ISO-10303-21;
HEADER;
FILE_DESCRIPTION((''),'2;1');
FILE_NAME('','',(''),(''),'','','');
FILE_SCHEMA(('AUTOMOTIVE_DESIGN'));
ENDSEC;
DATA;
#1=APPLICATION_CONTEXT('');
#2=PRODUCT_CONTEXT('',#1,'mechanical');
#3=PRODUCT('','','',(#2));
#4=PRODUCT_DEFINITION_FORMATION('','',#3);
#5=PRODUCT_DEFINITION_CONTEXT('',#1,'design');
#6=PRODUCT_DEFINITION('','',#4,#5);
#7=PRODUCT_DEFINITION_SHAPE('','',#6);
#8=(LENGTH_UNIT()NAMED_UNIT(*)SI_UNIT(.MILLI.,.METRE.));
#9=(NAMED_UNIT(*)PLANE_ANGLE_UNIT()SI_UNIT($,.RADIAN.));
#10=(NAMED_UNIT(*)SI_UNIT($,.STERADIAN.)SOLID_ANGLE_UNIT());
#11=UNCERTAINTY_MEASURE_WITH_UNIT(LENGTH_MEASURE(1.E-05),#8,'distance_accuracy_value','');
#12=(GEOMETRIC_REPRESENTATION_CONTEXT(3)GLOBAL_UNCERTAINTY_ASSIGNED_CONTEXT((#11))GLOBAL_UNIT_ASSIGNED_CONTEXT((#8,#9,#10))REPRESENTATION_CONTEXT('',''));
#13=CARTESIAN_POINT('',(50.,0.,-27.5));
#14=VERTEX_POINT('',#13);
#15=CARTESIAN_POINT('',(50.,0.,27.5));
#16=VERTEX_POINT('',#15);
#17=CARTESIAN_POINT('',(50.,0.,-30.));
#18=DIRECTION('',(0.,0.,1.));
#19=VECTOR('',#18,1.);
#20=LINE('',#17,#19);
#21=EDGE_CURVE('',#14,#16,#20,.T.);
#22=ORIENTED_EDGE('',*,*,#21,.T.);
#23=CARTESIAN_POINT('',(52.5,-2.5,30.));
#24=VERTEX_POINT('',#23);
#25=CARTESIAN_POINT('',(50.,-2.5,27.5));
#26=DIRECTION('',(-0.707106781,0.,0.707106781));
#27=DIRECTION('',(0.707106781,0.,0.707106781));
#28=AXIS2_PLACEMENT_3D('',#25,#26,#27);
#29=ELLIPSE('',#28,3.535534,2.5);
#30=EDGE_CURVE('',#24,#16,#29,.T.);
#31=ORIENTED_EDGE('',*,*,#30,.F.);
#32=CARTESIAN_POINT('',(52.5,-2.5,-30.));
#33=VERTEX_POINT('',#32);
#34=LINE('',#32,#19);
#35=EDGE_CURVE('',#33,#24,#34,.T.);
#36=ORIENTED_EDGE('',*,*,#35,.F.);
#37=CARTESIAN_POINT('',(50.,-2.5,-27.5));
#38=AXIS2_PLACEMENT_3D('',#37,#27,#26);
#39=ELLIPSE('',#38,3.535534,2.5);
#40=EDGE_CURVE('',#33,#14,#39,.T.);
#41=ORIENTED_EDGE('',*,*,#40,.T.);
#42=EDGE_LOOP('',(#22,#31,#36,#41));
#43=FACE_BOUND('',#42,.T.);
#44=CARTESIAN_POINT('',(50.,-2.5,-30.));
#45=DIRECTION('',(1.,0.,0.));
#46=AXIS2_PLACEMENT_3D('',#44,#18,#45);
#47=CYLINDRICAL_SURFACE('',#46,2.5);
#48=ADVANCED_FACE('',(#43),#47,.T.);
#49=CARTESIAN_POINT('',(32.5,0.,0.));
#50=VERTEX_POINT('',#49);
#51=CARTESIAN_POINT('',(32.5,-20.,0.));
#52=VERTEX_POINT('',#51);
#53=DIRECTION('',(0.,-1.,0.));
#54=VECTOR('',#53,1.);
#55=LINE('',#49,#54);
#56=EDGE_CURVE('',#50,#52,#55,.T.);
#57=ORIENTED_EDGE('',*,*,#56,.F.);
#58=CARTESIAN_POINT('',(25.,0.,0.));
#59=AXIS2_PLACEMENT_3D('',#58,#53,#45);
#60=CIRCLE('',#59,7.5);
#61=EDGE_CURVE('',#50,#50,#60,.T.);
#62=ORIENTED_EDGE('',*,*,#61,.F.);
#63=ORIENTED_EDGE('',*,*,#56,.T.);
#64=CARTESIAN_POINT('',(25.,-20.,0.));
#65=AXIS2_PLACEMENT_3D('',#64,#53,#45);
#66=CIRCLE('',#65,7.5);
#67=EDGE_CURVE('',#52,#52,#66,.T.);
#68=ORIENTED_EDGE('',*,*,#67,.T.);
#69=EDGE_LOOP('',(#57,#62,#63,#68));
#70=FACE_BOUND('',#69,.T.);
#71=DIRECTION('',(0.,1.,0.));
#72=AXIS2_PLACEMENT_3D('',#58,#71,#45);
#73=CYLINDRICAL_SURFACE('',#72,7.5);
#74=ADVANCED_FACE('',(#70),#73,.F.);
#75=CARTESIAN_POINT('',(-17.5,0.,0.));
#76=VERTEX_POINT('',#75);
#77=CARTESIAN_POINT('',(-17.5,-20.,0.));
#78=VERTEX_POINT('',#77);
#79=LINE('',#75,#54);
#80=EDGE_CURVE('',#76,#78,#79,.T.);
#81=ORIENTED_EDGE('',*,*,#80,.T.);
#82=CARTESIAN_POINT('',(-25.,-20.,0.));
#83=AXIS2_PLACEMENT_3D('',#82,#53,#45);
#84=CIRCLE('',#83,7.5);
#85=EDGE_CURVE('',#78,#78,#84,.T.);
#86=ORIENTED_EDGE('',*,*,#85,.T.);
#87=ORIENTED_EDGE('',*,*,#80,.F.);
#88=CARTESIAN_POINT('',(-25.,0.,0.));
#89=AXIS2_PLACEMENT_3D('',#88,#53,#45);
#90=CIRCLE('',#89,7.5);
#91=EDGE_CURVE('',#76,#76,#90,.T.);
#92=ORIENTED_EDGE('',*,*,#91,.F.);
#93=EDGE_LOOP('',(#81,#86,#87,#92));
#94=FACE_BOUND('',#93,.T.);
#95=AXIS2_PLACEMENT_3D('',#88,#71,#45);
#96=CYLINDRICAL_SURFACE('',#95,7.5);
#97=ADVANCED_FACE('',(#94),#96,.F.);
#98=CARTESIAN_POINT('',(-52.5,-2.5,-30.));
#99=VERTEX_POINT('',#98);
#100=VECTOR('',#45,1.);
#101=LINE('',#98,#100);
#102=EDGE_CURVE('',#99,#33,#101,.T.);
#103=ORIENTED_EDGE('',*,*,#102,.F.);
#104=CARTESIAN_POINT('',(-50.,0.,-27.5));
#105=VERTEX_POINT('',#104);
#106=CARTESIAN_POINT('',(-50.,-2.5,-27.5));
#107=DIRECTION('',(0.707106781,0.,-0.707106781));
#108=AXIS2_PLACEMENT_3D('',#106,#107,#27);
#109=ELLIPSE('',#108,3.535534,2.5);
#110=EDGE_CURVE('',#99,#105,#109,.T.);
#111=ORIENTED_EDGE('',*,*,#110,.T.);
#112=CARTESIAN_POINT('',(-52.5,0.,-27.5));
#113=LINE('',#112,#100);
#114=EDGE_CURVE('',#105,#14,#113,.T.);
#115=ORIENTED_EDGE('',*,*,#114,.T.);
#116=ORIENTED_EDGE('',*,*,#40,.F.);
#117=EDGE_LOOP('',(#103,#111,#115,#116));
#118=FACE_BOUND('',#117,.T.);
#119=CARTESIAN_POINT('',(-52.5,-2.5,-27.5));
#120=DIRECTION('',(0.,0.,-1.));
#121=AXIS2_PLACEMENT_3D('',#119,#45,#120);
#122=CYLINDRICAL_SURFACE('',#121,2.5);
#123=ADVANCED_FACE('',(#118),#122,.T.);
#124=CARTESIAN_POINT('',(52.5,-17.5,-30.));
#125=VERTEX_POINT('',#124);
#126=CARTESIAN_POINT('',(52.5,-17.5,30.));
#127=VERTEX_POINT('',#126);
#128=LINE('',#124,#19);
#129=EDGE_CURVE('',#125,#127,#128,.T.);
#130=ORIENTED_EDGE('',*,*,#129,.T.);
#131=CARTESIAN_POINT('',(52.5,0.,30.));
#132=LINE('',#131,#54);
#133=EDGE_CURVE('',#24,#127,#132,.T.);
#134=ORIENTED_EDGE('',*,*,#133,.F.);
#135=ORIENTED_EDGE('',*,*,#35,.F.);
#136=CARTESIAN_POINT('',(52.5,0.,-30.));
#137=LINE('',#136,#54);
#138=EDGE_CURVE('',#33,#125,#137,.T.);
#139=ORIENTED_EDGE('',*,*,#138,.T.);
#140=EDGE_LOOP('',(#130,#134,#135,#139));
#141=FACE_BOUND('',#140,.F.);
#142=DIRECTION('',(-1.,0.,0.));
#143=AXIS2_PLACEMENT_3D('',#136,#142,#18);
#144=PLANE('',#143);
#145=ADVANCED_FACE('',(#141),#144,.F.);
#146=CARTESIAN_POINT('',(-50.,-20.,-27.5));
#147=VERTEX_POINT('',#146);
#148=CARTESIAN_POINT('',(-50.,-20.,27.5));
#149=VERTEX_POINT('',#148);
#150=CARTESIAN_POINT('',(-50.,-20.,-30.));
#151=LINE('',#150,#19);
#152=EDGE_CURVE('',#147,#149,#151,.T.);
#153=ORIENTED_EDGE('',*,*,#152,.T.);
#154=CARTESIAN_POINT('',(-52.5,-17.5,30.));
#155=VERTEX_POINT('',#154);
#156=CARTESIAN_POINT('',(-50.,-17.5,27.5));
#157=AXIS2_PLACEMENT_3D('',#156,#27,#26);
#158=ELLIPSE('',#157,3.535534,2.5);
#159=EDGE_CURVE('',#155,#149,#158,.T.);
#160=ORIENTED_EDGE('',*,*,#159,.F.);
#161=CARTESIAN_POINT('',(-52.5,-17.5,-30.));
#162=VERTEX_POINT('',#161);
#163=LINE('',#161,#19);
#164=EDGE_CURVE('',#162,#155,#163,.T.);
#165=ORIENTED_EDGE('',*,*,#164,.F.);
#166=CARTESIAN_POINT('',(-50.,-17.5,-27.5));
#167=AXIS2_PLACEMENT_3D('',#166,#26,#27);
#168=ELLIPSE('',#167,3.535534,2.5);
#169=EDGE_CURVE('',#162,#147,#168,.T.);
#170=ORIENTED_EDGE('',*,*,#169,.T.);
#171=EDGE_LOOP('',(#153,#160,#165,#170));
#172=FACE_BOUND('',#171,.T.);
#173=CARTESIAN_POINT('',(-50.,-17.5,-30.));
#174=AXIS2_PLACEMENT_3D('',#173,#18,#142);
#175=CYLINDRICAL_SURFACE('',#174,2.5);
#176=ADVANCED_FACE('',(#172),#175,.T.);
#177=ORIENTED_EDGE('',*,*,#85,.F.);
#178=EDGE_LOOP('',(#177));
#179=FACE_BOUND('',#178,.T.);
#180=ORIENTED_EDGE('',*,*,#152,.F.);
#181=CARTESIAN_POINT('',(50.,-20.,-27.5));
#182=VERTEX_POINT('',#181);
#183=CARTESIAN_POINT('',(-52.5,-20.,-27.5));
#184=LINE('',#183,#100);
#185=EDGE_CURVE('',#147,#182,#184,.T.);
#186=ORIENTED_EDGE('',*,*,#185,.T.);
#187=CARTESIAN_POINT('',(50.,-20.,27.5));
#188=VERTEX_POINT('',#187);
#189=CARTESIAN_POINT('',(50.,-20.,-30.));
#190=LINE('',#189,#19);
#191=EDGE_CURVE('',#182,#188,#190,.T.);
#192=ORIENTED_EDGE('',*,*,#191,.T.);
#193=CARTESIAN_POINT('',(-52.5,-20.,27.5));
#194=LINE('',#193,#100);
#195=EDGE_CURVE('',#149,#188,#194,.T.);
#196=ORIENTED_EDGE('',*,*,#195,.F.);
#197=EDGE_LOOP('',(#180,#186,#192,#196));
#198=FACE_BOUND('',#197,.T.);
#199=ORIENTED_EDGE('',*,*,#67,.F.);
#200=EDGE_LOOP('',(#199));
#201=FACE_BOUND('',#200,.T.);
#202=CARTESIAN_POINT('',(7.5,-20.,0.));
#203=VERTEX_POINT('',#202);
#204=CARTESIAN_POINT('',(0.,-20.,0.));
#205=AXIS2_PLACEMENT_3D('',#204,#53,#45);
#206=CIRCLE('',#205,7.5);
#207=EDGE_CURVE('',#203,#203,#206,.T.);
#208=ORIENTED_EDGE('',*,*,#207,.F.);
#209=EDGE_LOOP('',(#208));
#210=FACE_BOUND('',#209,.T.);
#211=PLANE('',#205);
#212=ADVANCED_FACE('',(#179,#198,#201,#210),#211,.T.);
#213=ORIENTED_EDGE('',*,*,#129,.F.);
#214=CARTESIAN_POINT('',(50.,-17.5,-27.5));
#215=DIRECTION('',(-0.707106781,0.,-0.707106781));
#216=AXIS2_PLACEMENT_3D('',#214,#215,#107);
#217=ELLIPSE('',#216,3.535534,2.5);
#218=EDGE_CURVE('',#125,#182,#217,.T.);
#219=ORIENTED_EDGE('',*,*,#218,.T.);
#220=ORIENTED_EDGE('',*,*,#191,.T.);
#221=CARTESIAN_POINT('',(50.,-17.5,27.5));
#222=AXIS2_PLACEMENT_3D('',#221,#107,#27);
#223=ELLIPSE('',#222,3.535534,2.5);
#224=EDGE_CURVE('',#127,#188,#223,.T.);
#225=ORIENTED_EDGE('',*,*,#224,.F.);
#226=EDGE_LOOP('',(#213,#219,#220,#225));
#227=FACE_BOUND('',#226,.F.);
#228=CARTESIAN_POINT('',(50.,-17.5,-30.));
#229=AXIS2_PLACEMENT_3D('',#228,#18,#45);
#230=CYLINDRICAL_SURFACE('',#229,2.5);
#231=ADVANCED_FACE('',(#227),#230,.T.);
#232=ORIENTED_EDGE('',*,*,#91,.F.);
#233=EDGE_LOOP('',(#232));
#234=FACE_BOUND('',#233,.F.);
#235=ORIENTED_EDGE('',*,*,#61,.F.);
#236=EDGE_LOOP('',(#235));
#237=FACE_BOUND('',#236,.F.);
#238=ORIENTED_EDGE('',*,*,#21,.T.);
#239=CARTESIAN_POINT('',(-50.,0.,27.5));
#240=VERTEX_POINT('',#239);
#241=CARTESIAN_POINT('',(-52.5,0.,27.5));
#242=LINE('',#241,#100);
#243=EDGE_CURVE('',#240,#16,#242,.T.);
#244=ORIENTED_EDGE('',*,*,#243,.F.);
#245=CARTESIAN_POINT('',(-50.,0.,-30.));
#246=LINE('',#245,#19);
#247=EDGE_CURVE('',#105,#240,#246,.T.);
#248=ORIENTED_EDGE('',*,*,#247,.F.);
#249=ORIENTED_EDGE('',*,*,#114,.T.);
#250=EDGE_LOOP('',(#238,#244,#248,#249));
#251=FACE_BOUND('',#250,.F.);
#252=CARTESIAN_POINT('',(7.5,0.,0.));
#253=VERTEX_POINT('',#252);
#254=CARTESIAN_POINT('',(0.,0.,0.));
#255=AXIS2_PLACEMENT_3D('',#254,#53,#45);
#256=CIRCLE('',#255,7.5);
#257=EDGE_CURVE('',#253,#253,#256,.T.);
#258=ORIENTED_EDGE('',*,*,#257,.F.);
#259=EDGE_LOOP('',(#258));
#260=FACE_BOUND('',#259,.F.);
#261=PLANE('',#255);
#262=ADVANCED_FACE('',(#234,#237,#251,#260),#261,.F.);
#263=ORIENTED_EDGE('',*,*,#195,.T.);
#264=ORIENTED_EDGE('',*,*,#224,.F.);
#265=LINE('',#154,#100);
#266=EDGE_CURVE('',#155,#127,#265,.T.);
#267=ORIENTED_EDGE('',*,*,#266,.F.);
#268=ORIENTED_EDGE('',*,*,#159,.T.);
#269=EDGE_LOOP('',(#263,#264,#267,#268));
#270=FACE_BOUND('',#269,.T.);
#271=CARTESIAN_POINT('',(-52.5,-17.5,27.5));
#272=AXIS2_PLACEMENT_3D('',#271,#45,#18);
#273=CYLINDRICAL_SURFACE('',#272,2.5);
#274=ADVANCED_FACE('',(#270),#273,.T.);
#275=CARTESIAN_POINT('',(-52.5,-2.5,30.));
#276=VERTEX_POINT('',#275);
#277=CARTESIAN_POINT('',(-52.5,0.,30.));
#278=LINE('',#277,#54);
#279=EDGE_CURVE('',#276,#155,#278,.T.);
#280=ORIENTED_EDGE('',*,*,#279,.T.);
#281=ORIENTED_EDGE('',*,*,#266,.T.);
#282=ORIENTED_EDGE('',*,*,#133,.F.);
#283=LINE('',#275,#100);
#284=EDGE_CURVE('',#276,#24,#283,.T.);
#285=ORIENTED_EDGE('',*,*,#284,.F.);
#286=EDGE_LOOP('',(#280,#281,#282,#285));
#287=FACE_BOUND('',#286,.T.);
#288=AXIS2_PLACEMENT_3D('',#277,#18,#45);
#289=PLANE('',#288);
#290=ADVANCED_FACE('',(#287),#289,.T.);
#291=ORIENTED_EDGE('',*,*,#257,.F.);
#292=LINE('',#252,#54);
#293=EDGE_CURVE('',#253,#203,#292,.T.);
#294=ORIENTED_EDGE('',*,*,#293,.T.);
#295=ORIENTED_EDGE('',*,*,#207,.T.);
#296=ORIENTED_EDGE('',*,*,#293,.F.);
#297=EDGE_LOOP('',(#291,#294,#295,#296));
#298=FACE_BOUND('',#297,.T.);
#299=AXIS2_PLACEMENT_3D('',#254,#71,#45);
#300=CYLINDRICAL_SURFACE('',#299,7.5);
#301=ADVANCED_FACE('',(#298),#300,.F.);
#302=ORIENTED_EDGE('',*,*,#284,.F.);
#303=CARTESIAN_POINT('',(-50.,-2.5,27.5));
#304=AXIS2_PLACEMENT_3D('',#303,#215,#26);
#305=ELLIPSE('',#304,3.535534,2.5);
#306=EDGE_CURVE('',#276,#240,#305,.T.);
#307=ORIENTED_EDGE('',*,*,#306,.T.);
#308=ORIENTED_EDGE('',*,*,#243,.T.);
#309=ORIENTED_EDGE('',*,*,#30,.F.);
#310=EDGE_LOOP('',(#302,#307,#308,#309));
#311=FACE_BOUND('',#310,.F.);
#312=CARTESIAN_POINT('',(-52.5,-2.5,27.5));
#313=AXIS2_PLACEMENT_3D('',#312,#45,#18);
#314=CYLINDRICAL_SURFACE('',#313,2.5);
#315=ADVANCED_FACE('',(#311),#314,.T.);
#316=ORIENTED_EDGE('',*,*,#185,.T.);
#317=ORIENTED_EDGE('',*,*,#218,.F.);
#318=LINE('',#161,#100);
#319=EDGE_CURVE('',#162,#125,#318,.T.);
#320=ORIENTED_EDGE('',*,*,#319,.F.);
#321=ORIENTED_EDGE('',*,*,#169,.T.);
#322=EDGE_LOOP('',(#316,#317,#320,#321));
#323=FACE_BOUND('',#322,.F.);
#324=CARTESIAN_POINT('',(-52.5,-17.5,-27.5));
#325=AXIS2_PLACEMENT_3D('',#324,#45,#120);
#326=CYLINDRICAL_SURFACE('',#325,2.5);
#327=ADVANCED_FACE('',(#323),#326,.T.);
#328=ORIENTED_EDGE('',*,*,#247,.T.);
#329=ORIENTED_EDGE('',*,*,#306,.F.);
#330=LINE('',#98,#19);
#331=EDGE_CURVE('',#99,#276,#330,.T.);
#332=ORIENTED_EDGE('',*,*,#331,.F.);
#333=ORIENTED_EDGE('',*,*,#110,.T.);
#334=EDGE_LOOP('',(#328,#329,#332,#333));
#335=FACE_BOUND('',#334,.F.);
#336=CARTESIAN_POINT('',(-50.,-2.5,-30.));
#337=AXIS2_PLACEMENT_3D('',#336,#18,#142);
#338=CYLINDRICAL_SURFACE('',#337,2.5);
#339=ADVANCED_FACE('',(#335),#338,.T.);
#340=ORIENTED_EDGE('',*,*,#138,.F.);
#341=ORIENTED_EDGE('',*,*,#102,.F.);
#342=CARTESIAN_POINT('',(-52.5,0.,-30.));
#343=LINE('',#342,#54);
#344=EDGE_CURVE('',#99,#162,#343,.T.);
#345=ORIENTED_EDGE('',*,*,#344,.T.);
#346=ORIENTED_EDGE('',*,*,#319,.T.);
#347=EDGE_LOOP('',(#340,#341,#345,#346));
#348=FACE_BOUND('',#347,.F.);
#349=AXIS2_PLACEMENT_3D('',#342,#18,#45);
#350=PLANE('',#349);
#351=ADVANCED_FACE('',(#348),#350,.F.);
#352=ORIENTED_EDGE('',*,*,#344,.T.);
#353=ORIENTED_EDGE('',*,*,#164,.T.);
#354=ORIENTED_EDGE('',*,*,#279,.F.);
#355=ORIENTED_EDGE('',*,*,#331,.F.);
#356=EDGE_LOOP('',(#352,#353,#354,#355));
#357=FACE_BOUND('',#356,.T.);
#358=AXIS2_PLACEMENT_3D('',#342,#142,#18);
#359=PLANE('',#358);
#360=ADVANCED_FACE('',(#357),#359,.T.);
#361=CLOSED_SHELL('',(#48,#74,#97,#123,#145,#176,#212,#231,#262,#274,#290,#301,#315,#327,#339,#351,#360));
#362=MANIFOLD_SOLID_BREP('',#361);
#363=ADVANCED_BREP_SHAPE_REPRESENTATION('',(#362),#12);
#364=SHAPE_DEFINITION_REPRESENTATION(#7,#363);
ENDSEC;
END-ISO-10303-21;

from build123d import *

# Parameters (mm, degrees)
F0_W     = 105
F0_H     = 60
F0_R     = 7.5
F1_DEPTH = 20
F2_R     = 2.5


with BuildPart() as f1:
    # F0 (on Front) → F1 (new body)
    with BuildSketch(Plane.XZ):
        Rectangle(F0_W, F0_H)
        with Locations((-25, 0)):
            Circle(F0_R, mode=Mode.SUBTRACT)
        Circle(F0_R, mode=Mode.SUBTRACT)
        with Locations((25, 0)):
            Circle(F0_R, mode=Mode.SUBTRACT)
    extrude(amount=F1_DEPTH)

    # F2
    f2_edges = [f1.edges().sort_by_distance(p)[0] for p in [
        (0, -20, -30),
        (-52.5, -20, 0),
        (0, -20, 30),
        (52.5, 0, 0),
        (0, 0, -30),
        (-52.5, 0, 0),
        (0, 0, 30),
        (52.5, -20, 0),
    ]]
    fillet(f2_edges, radius=F2_R)


solid = f1.part
